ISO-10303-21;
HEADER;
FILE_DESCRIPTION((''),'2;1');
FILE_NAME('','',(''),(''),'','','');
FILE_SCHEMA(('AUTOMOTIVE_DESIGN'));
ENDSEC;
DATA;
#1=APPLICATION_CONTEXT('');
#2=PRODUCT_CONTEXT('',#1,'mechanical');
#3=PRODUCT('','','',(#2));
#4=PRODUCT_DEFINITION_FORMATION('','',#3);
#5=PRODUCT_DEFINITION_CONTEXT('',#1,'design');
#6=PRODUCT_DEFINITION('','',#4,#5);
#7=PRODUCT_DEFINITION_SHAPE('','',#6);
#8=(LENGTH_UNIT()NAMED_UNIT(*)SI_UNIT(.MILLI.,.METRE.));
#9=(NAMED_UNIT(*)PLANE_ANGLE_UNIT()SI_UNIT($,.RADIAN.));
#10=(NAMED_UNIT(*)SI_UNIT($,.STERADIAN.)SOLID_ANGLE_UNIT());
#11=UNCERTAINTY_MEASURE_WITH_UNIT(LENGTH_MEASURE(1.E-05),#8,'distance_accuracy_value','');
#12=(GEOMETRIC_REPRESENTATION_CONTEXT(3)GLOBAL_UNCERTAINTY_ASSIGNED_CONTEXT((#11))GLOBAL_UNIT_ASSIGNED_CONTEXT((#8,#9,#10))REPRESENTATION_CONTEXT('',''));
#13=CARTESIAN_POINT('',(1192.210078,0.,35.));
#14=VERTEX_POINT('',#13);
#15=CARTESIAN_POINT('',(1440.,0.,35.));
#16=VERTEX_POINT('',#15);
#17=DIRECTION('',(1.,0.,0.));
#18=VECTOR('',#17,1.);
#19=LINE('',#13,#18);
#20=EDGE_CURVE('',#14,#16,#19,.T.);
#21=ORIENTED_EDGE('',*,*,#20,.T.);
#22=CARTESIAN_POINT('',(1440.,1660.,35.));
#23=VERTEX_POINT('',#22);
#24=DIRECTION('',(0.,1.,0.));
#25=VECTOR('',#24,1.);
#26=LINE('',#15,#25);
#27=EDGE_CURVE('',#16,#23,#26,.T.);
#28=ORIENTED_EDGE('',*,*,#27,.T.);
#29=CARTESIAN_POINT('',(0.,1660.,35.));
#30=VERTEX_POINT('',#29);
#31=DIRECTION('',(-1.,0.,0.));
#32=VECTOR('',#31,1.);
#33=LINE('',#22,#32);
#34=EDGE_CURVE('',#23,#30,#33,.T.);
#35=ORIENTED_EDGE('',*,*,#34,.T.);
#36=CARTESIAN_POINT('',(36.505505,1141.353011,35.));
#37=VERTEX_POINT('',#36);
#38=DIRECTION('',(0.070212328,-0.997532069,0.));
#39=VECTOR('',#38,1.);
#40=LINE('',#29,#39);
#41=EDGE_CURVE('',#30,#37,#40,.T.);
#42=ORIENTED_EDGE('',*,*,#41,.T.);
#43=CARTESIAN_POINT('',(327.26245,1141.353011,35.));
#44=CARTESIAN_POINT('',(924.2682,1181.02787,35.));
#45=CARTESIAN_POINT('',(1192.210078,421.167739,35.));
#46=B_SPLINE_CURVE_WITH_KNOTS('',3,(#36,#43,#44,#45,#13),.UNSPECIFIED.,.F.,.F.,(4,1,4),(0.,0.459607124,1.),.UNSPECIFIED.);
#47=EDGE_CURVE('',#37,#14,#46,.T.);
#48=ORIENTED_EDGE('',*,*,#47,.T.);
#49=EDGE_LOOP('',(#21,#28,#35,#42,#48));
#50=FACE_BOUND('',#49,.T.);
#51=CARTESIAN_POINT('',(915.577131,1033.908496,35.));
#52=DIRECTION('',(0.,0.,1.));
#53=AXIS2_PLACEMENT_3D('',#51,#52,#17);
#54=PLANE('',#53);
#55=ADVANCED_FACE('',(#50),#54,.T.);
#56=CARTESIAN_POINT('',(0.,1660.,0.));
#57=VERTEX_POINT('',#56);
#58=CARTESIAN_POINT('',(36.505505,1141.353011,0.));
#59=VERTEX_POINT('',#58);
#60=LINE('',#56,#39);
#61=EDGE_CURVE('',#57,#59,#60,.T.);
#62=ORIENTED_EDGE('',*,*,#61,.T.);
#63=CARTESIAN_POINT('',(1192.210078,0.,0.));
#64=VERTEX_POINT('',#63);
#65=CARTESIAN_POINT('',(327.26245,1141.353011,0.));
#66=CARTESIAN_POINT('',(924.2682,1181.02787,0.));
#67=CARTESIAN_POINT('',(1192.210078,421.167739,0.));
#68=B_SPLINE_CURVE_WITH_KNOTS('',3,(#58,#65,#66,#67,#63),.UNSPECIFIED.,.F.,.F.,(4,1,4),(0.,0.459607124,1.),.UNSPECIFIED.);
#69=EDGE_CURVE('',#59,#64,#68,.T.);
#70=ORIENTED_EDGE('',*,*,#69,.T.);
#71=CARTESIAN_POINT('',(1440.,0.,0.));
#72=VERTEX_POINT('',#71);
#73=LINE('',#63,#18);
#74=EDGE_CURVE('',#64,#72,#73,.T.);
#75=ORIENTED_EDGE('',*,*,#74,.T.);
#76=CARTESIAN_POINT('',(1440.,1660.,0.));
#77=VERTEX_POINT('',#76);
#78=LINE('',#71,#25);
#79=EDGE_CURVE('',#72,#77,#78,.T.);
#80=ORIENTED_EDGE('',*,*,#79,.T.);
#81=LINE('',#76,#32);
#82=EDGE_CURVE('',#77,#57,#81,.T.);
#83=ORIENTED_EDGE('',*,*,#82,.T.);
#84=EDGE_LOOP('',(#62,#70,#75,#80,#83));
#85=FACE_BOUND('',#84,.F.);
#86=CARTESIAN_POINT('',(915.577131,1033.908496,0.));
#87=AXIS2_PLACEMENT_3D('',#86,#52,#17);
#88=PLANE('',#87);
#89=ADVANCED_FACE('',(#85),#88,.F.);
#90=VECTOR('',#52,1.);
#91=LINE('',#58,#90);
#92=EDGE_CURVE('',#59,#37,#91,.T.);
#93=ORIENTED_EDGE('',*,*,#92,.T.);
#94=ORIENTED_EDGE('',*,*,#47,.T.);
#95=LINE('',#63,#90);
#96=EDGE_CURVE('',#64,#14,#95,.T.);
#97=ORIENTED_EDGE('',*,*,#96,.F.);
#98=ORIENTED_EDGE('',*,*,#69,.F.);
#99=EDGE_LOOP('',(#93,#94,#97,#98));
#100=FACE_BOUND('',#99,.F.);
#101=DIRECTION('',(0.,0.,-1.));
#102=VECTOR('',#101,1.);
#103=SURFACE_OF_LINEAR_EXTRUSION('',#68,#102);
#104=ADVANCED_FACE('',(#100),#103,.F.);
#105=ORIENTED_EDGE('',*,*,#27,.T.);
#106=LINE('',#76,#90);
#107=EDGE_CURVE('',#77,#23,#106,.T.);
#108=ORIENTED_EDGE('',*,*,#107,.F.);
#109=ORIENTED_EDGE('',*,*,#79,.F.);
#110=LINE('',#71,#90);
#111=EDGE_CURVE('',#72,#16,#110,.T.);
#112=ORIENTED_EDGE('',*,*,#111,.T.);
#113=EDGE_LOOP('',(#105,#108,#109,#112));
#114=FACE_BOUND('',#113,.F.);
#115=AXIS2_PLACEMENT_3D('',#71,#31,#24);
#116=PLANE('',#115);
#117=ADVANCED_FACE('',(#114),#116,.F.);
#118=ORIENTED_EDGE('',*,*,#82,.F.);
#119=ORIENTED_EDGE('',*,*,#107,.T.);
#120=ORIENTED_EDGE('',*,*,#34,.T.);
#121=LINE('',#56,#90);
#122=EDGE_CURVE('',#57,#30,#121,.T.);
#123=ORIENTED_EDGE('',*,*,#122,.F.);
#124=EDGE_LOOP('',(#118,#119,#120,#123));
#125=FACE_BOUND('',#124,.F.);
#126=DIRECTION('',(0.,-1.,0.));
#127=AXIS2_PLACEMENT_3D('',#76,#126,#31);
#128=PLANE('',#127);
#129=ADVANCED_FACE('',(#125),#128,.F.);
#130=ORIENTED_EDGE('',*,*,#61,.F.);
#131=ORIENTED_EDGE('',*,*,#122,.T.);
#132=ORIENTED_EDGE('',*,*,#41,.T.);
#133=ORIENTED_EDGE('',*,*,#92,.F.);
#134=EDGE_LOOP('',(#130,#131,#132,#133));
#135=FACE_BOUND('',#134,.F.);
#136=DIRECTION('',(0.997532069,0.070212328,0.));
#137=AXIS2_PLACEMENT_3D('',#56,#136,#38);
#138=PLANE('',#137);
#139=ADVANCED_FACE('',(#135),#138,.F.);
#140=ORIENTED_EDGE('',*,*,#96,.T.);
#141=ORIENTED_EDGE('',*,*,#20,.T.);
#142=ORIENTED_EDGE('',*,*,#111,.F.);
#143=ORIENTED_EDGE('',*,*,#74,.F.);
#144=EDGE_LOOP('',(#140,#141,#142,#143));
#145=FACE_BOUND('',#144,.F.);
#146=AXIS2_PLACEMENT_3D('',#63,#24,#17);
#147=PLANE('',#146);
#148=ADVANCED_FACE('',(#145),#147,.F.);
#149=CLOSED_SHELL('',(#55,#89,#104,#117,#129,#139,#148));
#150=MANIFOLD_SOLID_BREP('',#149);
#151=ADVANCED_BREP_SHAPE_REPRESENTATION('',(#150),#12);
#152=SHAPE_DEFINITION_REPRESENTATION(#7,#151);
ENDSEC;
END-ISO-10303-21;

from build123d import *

# Parameters (mm, degrees)
F2_DEPTH = 35


with BuildPart() as f2:
    # F1 (on Top) → F2 (new body)
    with BuildSketch(Plane.XY):
        with BuildLine():
            Line((1440, 1660), (0, 1660))
            Line((0, 1660), (36.5055054426, 1141.3530111313))
            add(Edge.make_bspline(
                [(36.5055054426, 1141.3530111313), (327.2624496405, 1141.3530111313), (924.2682003649, 1181.0278697459), (1192.2100782394, 421.1677394684), (1192.2100782394, 0)],
                knots=[0, 0, 0, 0, 0.4596071243, 1, 1, 1, 1], degree=3))
            Line((1192.2100782394, 0), (1440, 0))
            Line((1440, 0), (1440, 1660))
        make_face()
    extrude(amount=F2_DEPTH)


solid = f2.part
